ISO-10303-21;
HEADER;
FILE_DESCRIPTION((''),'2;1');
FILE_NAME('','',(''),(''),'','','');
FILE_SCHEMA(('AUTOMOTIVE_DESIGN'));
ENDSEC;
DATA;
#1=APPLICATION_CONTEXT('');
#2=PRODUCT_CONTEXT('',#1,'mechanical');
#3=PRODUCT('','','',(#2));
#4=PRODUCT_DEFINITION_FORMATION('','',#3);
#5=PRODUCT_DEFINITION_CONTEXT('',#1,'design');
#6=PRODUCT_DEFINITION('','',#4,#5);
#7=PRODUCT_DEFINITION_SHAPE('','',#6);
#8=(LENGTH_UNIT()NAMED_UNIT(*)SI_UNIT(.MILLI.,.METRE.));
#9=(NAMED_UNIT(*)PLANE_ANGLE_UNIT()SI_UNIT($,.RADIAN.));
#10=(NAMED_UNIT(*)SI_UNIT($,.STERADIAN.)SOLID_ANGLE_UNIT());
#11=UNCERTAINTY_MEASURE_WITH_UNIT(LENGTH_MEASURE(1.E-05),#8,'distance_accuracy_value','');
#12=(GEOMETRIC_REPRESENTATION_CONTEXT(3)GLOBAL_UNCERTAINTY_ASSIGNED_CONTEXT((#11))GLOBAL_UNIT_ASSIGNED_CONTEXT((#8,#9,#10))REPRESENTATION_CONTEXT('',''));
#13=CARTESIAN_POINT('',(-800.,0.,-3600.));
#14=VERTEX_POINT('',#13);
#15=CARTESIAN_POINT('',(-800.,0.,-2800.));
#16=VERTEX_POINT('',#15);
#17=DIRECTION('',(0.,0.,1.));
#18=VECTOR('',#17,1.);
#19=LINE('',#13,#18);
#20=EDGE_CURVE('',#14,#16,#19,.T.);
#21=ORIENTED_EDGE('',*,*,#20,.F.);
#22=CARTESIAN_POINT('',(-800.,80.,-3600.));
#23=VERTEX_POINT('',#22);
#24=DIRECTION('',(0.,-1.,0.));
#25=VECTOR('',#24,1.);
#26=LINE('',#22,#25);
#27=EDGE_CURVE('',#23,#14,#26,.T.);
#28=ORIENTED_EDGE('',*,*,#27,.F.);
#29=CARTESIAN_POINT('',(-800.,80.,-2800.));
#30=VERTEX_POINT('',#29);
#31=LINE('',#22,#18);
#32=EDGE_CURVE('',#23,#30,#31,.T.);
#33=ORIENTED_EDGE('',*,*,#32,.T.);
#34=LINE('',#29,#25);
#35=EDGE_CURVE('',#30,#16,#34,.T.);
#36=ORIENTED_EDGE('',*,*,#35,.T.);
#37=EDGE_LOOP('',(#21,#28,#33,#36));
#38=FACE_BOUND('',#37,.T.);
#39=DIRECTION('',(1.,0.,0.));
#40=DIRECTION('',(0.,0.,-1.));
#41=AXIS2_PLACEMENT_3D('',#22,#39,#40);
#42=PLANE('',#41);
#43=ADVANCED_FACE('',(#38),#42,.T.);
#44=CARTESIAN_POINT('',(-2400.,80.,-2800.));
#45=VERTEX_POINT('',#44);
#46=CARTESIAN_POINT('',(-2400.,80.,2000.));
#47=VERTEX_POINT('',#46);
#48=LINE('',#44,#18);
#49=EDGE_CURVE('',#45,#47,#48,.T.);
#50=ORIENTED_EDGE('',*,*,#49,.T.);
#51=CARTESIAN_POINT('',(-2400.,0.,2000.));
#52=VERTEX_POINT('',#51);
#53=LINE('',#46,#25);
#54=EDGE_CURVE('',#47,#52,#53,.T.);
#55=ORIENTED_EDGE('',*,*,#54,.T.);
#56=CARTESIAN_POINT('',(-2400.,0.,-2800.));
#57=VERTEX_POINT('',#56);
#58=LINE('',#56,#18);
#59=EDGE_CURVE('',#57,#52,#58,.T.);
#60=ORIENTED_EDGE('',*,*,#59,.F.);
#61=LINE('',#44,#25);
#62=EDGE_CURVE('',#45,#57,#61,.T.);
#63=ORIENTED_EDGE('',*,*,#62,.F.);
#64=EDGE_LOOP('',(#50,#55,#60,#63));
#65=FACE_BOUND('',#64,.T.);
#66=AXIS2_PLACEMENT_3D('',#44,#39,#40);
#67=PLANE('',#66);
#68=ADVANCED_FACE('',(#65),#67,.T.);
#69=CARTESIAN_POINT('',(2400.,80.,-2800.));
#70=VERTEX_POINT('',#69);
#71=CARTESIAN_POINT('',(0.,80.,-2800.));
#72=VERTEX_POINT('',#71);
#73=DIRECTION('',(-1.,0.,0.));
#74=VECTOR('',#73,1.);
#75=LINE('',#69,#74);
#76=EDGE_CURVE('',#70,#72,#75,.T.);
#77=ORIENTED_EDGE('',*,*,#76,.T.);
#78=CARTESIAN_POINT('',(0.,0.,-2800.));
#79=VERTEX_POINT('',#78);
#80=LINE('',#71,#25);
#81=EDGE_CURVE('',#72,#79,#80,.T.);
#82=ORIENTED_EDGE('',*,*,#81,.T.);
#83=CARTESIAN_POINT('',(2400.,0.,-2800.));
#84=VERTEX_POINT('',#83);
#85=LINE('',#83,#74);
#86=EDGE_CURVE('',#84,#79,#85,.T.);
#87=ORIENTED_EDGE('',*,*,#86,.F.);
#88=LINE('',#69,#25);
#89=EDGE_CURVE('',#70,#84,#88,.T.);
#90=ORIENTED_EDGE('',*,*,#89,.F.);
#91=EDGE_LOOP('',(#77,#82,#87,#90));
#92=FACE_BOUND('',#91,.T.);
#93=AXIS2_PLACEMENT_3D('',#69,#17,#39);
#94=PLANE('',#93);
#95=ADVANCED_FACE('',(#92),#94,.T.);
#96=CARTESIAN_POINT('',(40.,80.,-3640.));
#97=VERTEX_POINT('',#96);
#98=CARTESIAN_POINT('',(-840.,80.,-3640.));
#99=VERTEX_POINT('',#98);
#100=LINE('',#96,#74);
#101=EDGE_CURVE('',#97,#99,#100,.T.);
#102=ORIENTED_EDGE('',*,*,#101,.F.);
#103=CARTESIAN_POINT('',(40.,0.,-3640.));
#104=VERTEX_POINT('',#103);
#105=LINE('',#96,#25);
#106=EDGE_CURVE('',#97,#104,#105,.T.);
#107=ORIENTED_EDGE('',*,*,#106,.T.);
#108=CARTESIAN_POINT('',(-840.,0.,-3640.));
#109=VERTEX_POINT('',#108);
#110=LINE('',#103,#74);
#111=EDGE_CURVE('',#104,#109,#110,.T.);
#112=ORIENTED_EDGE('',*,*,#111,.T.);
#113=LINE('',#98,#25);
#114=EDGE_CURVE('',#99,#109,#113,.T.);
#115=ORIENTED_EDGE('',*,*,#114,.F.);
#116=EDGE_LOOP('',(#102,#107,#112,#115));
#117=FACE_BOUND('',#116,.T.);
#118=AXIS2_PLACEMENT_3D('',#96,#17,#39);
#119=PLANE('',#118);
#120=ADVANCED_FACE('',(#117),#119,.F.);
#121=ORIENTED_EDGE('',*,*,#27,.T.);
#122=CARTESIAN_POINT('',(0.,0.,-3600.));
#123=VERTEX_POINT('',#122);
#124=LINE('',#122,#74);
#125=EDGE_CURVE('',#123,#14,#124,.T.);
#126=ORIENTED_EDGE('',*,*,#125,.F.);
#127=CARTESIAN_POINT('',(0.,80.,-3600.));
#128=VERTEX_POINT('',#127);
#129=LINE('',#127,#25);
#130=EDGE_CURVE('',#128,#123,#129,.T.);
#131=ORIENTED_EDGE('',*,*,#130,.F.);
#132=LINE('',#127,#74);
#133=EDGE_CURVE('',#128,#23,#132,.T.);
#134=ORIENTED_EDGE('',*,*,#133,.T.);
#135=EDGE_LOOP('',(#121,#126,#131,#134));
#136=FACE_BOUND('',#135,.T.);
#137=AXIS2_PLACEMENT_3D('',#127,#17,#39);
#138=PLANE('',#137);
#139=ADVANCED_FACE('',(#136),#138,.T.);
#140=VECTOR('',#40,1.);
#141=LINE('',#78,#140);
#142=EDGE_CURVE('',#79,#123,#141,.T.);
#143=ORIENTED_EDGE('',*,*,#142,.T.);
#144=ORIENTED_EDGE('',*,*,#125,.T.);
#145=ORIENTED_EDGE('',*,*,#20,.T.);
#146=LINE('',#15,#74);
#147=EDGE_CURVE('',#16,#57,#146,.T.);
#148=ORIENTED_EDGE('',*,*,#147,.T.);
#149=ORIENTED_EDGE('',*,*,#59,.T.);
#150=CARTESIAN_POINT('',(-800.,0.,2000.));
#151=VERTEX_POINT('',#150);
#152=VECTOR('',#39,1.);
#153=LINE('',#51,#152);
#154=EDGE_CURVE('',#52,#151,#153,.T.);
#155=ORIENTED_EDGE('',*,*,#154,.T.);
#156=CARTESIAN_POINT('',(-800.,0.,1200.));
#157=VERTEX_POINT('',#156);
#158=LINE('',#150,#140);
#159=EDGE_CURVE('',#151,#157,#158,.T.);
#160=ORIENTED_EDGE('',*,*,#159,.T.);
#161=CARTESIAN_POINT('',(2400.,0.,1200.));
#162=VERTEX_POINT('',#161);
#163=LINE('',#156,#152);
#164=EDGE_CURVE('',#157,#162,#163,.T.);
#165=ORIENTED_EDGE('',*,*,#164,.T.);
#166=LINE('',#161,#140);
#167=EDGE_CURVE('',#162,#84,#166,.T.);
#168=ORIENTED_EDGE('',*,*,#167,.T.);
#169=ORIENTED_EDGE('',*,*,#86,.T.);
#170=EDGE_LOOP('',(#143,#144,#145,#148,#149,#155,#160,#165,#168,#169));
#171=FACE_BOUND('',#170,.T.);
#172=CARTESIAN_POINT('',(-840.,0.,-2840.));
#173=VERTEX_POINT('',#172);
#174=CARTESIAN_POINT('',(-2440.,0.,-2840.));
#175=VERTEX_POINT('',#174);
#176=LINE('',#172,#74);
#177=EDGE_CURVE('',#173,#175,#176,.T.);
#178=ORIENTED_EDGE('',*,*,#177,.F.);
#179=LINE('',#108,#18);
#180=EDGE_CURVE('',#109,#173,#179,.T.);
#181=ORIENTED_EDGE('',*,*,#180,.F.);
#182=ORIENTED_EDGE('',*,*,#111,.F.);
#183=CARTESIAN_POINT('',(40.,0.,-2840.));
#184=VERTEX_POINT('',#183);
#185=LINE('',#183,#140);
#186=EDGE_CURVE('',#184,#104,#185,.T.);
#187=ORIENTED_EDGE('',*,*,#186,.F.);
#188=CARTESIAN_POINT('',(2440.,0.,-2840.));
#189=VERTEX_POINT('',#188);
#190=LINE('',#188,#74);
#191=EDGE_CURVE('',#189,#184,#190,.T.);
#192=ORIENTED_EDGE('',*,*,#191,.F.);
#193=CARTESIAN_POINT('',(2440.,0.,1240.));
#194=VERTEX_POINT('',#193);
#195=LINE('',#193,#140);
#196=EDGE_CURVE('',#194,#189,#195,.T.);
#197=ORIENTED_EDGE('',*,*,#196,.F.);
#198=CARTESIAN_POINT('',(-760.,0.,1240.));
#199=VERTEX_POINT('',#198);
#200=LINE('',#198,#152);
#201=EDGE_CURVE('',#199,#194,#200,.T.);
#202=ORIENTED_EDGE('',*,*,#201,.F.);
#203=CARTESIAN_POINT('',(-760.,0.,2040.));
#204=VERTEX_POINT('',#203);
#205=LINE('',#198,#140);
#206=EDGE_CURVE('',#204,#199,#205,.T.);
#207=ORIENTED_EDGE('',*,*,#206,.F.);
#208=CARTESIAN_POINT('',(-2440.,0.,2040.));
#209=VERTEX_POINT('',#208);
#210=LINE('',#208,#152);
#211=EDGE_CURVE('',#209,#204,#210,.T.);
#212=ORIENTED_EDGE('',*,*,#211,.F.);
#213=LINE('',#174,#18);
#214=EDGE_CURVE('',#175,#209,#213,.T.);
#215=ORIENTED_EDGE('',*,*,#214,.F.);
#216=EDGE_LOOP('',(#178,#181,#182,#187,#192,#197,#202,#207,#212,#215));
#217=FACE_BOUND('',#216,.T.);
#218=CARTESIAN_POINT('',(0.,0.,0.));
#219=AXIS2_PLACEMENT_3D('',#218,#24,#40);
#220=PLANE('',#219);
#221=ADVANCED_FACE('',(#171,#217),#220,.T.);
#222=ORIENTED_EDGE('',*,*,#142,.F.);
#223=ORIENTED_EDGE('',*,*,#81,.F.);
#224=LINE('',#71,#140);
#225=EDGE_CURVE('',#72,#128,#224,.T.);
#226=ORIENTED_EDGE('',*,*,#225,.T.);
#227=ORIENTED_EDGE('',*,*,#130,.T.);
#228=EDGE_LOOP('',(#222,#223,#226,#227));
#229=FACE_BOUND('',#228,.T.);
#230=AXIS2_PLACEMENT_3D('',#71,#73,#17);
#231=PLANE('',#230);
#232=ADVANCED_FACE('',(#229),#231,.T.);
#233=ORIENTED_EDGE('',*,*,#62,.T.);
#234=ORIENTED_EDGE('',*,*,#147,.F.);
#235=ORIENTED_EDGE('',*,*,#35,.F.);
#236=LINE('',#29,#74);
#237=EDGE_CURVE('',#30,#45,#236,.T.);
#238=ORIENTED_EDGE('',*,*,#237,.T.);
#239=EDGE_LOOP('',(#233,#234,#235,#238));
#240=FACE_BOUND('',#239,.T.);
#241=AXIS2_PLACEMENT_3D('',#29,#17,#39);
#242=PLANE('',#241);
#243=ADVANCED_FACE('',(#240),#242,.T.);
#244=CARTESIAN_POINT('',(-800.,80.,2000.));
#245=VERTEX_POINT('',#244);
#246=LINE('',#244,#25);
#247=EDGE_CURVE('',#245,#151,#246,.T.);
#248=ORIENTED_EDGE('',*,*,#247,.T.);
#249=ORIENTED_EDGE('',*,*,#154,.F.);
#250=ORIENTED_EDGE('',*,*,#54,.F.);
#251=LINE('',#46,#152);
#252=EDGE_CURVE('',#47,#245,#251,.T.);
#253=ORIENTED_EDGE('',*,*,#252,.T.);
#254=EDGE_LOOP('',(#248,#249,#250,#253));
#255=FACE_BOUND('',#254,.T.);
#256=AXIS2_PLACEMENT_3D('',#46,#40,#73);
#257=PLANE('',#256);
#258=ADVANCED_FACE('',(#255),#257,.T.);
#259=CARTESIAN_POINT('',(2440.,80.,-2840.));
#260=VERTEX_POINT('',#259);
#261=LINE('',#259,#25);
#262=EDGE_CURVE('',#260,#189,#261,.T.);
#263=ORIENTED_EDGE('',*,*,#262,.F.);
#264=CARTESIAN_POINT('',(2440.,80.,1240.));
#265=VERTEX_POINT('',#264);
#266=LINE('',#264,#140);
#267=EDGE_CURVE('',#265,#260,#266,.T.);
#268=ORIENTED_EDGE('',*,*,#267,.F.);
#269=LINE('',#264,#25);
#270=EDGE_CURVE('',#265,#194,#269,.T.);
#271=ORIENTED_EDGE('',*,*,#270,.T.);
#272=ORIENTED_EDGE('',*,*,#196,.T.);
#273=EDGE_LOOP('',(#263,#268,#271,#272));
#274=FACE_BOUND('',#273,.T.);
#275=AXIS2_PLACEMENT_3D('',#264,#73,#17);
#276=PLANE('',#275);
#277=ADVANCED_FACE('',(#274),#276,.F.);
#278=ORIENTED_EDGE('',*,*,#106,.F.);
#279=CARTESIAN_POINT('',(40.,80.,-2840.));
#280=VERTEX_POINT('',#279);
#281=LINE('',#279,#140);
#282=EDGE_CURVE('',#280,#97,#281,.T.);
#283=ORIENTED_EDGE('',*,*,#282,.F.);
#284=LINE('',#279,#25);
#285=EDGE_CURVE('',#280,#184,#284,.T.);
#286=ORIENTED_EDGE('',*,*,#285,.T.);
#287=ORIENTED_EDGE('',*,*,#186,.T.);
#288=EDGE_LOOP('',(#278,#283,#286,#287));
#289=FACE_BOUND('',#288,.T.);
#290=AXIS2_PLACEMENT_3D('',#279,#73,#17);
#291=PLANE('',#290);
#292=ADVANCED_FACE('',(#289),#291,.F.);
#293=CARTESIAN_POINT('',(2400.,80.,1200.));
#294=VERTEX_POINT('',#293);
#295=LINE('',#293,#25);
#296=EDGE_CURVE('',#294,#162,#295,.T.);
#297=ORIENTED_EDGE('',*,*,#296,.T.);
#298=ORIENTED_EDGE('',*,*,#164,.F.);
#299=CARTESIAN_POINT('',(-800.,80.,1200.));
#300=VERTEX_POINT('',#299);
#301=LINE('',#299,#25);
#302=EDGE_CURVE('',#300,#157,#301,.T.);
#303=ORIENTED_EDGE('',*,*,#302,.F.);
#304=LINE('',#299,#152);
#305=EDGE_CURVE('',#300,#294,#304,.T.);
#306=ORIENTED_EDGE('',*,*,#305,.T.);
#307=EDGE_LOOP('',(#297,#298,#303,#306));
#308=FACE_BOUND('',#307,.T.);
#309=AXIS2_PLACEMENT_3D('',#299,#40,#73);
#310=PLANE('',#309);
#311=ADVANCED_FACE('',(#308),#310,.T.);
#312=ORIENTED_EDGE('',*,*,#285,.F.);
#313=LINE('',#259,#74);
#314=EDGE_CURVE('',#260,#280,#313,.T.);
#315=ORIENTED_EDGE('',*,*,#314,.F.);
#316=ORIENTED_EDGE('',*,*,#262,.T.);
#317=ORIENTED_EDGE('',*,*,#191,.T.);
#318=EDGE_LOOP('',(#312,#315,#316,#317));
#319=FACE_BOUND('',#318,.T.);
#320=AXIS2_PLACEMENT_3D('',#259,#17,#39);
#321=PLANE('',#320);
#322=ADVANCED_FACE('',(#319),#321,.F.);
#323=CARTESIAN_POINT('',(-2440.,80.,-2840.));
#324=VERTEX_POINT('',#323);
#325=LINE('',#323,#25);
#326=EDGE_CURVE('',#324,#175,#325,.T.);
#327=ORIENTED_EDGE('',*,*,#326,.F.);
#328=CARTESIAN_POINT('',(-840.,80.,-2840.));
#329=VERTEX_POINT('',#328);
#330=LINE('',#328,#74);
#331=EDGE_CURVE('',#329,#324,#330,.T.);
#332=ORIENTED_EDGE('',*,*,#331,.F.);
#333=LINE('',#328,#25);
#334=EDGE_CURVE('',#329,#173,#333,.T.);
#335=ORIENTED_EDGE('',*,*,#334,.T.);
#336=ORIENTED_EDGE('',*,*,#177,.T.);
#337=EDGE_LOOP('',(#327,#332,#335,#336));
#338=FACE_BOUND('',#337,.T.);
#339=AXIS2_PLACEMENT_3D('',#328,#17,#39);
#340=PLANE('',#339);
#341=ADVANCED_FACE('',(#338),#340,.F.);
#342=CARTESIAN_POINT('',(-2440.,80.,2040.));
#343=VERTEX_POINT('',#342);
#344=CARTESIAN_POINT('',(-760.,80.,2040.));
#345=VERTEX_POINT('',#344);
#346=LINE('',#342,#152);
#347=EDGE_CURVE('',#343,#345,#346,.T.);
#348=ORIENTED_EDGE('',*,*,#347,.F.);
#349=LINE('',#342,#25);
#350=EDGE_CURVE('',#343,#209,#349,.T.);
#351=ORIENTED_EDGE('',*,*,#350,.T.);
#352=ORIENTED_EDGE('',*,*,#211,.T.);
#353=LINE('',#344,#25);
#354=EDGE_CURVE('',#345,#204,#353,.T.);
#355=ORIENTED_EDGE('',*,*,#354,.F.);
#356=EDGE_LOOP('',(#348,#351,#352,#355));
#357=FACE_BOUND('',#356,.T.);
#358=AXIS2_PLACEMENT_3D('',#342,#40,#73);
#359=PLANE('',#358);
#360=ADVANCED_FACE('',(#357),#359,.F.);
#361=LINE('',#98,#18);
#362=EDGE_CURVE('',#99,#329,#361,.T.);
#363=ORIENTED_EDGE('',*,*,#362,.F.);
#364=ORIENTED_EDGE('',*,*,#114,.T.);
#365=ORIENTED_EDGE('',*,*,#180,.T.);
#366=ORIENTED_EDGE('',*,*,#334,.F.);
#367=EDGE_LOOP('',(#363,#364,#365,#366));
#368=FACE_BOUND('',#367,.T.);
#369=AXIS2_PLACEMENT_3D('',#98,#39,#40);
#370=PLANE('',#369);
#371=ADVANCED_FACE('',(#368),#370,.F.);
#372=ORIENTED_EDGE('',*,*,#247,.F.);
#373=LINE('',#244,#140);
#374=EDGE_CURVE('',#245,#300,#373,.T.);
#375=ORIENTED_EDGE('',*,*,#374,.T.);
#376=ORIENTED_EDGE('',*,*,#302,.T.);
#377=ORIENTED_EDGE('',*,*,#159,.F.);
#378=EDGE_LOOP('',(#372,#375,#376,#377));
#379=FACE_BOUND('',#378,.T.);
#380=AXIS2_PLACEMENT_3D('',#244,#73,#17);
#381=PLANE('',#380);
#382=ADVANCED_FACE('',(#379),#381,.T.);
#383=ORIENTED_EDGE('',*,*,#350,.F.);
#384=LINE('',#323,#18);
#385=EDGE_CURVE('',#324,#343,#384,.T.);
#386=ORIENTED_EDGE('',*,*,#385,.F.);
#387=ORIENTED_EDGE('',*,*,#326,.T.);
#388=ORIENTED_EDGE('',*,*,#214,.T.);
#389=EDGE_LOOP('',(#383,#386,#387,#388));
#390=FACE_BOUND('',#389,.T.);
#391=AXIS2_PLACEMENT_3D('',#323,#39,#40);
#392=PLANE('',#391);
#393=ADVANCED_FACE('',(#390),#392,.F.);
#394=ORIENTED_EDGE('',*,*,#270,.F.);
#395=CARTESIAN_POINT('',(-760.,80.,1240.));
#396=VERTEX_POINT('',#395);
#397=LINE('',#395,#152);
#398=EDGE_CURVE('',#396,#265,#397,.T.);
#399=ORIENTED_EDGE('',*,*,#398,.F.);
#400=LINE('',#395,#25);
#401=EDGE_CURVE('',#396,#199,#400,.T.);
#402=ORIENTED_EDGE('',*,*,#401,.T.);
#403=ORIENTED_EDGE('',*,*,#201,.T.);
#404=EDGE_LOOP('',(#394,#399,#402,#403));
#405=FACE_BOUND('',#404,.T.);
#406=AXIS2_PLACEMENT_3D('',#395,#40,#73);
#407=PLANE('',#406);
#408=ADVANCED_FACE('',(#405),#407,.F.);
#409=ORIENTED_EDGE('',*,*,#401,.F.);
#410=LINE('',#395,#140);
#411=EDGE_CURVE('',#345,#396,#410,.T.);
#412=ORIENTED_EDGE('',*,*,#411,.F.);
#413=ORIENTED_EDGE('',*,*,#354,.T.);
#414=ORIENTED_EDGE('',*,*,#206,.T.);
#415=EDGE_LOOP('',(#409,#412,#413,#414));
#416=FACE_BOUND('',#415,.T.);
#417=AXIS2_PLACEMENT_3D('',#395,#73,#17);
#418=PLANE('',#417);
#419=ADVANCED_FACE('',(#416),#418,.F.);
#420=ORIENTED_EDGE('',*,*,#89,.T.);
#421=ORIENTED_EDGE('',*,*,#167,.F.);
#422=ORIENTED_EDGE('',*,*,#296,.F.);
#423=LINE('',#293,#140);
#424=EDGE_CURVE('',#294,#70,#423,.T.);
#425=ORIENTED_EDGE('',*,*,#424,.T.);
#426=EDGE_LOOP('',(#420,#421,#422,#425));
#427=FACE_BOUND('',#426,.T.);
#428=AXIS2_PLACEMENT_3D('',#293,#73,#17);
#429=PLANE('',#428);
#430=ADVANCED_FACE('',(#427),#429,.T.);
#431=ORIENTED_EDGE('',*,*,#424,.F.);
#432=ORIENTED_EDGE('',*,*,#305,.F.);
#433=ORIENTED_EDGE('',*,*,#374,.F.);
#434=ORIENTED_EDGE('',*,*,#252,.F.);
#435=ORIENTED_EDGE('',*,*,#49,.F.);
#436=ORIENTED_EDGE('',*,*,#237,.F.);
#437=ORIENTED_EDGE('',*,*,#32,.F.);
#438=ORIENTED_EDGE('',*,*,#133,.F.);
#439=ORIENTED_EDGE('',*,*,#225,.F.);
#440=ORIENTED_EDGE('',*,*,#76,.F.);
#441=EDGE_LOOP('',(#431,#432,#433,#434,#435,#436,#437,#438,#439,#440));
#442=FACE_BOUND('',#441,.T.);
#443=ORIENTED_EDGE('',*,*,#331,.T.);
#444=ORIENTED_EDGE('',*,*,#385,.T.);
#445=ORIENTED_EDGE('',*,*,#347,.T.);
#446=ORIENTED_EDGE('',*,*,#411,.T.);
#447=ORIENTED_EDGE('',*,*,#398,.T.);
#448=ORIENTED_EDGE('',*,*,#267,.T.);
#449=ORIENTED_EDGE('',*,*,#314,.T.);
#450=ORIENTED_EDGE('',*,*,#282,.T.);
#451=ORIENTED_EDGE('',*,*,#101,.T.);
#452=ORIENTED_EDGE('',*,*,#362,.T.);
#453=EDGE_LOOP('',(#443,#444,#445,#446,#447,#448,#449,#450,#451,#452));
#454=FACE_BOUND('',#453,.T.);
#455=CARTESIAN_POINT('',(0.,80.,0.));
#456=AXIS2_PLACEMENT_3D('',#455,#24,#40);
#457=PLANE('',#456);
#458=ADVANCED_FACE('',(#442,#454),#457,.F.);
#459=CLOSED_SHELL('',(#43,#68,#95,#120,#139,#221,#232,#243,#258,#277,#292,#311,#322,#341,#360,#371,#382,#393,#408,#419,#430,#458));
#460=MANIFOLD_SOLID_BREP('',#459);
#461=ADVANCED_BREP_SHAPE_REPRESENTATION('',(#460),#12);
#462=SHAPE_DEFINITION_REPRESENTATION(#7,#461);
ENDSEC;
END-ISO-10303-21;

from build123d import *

# Parameters (mm, degrees)
EXTRUDE_1_DEPTH = 80


with BuildPart() as part:
    # 草图4 → 凸台-拉伸1 (new body)
    with BuildSketch(Plane(origin=(0, 0, 0), x_dir=(1, 0, 0), z_dir=(0, 1, 0))):
        Polygon((-840, 2840), (-2440, 2840), (-2440, -2040), (-760, -2040), (-760, -1240), (2440, -1240), (2440, 2840), (40, 2840), (40, 3640), (-840, 3640), align=None)
        Polygon((-800, 2800), (-2400, 2800), (-2400, -2000), (-800, -2000), (-800, -1200), (2400, -1200), (2400, 2800), (0, 2800), (0, 3600), (-800, 3600), align=None, mode=Mode.SUBTRACT)
    extrude(amount=EXTRUDE_1_DEPTH)


solid = part.part
